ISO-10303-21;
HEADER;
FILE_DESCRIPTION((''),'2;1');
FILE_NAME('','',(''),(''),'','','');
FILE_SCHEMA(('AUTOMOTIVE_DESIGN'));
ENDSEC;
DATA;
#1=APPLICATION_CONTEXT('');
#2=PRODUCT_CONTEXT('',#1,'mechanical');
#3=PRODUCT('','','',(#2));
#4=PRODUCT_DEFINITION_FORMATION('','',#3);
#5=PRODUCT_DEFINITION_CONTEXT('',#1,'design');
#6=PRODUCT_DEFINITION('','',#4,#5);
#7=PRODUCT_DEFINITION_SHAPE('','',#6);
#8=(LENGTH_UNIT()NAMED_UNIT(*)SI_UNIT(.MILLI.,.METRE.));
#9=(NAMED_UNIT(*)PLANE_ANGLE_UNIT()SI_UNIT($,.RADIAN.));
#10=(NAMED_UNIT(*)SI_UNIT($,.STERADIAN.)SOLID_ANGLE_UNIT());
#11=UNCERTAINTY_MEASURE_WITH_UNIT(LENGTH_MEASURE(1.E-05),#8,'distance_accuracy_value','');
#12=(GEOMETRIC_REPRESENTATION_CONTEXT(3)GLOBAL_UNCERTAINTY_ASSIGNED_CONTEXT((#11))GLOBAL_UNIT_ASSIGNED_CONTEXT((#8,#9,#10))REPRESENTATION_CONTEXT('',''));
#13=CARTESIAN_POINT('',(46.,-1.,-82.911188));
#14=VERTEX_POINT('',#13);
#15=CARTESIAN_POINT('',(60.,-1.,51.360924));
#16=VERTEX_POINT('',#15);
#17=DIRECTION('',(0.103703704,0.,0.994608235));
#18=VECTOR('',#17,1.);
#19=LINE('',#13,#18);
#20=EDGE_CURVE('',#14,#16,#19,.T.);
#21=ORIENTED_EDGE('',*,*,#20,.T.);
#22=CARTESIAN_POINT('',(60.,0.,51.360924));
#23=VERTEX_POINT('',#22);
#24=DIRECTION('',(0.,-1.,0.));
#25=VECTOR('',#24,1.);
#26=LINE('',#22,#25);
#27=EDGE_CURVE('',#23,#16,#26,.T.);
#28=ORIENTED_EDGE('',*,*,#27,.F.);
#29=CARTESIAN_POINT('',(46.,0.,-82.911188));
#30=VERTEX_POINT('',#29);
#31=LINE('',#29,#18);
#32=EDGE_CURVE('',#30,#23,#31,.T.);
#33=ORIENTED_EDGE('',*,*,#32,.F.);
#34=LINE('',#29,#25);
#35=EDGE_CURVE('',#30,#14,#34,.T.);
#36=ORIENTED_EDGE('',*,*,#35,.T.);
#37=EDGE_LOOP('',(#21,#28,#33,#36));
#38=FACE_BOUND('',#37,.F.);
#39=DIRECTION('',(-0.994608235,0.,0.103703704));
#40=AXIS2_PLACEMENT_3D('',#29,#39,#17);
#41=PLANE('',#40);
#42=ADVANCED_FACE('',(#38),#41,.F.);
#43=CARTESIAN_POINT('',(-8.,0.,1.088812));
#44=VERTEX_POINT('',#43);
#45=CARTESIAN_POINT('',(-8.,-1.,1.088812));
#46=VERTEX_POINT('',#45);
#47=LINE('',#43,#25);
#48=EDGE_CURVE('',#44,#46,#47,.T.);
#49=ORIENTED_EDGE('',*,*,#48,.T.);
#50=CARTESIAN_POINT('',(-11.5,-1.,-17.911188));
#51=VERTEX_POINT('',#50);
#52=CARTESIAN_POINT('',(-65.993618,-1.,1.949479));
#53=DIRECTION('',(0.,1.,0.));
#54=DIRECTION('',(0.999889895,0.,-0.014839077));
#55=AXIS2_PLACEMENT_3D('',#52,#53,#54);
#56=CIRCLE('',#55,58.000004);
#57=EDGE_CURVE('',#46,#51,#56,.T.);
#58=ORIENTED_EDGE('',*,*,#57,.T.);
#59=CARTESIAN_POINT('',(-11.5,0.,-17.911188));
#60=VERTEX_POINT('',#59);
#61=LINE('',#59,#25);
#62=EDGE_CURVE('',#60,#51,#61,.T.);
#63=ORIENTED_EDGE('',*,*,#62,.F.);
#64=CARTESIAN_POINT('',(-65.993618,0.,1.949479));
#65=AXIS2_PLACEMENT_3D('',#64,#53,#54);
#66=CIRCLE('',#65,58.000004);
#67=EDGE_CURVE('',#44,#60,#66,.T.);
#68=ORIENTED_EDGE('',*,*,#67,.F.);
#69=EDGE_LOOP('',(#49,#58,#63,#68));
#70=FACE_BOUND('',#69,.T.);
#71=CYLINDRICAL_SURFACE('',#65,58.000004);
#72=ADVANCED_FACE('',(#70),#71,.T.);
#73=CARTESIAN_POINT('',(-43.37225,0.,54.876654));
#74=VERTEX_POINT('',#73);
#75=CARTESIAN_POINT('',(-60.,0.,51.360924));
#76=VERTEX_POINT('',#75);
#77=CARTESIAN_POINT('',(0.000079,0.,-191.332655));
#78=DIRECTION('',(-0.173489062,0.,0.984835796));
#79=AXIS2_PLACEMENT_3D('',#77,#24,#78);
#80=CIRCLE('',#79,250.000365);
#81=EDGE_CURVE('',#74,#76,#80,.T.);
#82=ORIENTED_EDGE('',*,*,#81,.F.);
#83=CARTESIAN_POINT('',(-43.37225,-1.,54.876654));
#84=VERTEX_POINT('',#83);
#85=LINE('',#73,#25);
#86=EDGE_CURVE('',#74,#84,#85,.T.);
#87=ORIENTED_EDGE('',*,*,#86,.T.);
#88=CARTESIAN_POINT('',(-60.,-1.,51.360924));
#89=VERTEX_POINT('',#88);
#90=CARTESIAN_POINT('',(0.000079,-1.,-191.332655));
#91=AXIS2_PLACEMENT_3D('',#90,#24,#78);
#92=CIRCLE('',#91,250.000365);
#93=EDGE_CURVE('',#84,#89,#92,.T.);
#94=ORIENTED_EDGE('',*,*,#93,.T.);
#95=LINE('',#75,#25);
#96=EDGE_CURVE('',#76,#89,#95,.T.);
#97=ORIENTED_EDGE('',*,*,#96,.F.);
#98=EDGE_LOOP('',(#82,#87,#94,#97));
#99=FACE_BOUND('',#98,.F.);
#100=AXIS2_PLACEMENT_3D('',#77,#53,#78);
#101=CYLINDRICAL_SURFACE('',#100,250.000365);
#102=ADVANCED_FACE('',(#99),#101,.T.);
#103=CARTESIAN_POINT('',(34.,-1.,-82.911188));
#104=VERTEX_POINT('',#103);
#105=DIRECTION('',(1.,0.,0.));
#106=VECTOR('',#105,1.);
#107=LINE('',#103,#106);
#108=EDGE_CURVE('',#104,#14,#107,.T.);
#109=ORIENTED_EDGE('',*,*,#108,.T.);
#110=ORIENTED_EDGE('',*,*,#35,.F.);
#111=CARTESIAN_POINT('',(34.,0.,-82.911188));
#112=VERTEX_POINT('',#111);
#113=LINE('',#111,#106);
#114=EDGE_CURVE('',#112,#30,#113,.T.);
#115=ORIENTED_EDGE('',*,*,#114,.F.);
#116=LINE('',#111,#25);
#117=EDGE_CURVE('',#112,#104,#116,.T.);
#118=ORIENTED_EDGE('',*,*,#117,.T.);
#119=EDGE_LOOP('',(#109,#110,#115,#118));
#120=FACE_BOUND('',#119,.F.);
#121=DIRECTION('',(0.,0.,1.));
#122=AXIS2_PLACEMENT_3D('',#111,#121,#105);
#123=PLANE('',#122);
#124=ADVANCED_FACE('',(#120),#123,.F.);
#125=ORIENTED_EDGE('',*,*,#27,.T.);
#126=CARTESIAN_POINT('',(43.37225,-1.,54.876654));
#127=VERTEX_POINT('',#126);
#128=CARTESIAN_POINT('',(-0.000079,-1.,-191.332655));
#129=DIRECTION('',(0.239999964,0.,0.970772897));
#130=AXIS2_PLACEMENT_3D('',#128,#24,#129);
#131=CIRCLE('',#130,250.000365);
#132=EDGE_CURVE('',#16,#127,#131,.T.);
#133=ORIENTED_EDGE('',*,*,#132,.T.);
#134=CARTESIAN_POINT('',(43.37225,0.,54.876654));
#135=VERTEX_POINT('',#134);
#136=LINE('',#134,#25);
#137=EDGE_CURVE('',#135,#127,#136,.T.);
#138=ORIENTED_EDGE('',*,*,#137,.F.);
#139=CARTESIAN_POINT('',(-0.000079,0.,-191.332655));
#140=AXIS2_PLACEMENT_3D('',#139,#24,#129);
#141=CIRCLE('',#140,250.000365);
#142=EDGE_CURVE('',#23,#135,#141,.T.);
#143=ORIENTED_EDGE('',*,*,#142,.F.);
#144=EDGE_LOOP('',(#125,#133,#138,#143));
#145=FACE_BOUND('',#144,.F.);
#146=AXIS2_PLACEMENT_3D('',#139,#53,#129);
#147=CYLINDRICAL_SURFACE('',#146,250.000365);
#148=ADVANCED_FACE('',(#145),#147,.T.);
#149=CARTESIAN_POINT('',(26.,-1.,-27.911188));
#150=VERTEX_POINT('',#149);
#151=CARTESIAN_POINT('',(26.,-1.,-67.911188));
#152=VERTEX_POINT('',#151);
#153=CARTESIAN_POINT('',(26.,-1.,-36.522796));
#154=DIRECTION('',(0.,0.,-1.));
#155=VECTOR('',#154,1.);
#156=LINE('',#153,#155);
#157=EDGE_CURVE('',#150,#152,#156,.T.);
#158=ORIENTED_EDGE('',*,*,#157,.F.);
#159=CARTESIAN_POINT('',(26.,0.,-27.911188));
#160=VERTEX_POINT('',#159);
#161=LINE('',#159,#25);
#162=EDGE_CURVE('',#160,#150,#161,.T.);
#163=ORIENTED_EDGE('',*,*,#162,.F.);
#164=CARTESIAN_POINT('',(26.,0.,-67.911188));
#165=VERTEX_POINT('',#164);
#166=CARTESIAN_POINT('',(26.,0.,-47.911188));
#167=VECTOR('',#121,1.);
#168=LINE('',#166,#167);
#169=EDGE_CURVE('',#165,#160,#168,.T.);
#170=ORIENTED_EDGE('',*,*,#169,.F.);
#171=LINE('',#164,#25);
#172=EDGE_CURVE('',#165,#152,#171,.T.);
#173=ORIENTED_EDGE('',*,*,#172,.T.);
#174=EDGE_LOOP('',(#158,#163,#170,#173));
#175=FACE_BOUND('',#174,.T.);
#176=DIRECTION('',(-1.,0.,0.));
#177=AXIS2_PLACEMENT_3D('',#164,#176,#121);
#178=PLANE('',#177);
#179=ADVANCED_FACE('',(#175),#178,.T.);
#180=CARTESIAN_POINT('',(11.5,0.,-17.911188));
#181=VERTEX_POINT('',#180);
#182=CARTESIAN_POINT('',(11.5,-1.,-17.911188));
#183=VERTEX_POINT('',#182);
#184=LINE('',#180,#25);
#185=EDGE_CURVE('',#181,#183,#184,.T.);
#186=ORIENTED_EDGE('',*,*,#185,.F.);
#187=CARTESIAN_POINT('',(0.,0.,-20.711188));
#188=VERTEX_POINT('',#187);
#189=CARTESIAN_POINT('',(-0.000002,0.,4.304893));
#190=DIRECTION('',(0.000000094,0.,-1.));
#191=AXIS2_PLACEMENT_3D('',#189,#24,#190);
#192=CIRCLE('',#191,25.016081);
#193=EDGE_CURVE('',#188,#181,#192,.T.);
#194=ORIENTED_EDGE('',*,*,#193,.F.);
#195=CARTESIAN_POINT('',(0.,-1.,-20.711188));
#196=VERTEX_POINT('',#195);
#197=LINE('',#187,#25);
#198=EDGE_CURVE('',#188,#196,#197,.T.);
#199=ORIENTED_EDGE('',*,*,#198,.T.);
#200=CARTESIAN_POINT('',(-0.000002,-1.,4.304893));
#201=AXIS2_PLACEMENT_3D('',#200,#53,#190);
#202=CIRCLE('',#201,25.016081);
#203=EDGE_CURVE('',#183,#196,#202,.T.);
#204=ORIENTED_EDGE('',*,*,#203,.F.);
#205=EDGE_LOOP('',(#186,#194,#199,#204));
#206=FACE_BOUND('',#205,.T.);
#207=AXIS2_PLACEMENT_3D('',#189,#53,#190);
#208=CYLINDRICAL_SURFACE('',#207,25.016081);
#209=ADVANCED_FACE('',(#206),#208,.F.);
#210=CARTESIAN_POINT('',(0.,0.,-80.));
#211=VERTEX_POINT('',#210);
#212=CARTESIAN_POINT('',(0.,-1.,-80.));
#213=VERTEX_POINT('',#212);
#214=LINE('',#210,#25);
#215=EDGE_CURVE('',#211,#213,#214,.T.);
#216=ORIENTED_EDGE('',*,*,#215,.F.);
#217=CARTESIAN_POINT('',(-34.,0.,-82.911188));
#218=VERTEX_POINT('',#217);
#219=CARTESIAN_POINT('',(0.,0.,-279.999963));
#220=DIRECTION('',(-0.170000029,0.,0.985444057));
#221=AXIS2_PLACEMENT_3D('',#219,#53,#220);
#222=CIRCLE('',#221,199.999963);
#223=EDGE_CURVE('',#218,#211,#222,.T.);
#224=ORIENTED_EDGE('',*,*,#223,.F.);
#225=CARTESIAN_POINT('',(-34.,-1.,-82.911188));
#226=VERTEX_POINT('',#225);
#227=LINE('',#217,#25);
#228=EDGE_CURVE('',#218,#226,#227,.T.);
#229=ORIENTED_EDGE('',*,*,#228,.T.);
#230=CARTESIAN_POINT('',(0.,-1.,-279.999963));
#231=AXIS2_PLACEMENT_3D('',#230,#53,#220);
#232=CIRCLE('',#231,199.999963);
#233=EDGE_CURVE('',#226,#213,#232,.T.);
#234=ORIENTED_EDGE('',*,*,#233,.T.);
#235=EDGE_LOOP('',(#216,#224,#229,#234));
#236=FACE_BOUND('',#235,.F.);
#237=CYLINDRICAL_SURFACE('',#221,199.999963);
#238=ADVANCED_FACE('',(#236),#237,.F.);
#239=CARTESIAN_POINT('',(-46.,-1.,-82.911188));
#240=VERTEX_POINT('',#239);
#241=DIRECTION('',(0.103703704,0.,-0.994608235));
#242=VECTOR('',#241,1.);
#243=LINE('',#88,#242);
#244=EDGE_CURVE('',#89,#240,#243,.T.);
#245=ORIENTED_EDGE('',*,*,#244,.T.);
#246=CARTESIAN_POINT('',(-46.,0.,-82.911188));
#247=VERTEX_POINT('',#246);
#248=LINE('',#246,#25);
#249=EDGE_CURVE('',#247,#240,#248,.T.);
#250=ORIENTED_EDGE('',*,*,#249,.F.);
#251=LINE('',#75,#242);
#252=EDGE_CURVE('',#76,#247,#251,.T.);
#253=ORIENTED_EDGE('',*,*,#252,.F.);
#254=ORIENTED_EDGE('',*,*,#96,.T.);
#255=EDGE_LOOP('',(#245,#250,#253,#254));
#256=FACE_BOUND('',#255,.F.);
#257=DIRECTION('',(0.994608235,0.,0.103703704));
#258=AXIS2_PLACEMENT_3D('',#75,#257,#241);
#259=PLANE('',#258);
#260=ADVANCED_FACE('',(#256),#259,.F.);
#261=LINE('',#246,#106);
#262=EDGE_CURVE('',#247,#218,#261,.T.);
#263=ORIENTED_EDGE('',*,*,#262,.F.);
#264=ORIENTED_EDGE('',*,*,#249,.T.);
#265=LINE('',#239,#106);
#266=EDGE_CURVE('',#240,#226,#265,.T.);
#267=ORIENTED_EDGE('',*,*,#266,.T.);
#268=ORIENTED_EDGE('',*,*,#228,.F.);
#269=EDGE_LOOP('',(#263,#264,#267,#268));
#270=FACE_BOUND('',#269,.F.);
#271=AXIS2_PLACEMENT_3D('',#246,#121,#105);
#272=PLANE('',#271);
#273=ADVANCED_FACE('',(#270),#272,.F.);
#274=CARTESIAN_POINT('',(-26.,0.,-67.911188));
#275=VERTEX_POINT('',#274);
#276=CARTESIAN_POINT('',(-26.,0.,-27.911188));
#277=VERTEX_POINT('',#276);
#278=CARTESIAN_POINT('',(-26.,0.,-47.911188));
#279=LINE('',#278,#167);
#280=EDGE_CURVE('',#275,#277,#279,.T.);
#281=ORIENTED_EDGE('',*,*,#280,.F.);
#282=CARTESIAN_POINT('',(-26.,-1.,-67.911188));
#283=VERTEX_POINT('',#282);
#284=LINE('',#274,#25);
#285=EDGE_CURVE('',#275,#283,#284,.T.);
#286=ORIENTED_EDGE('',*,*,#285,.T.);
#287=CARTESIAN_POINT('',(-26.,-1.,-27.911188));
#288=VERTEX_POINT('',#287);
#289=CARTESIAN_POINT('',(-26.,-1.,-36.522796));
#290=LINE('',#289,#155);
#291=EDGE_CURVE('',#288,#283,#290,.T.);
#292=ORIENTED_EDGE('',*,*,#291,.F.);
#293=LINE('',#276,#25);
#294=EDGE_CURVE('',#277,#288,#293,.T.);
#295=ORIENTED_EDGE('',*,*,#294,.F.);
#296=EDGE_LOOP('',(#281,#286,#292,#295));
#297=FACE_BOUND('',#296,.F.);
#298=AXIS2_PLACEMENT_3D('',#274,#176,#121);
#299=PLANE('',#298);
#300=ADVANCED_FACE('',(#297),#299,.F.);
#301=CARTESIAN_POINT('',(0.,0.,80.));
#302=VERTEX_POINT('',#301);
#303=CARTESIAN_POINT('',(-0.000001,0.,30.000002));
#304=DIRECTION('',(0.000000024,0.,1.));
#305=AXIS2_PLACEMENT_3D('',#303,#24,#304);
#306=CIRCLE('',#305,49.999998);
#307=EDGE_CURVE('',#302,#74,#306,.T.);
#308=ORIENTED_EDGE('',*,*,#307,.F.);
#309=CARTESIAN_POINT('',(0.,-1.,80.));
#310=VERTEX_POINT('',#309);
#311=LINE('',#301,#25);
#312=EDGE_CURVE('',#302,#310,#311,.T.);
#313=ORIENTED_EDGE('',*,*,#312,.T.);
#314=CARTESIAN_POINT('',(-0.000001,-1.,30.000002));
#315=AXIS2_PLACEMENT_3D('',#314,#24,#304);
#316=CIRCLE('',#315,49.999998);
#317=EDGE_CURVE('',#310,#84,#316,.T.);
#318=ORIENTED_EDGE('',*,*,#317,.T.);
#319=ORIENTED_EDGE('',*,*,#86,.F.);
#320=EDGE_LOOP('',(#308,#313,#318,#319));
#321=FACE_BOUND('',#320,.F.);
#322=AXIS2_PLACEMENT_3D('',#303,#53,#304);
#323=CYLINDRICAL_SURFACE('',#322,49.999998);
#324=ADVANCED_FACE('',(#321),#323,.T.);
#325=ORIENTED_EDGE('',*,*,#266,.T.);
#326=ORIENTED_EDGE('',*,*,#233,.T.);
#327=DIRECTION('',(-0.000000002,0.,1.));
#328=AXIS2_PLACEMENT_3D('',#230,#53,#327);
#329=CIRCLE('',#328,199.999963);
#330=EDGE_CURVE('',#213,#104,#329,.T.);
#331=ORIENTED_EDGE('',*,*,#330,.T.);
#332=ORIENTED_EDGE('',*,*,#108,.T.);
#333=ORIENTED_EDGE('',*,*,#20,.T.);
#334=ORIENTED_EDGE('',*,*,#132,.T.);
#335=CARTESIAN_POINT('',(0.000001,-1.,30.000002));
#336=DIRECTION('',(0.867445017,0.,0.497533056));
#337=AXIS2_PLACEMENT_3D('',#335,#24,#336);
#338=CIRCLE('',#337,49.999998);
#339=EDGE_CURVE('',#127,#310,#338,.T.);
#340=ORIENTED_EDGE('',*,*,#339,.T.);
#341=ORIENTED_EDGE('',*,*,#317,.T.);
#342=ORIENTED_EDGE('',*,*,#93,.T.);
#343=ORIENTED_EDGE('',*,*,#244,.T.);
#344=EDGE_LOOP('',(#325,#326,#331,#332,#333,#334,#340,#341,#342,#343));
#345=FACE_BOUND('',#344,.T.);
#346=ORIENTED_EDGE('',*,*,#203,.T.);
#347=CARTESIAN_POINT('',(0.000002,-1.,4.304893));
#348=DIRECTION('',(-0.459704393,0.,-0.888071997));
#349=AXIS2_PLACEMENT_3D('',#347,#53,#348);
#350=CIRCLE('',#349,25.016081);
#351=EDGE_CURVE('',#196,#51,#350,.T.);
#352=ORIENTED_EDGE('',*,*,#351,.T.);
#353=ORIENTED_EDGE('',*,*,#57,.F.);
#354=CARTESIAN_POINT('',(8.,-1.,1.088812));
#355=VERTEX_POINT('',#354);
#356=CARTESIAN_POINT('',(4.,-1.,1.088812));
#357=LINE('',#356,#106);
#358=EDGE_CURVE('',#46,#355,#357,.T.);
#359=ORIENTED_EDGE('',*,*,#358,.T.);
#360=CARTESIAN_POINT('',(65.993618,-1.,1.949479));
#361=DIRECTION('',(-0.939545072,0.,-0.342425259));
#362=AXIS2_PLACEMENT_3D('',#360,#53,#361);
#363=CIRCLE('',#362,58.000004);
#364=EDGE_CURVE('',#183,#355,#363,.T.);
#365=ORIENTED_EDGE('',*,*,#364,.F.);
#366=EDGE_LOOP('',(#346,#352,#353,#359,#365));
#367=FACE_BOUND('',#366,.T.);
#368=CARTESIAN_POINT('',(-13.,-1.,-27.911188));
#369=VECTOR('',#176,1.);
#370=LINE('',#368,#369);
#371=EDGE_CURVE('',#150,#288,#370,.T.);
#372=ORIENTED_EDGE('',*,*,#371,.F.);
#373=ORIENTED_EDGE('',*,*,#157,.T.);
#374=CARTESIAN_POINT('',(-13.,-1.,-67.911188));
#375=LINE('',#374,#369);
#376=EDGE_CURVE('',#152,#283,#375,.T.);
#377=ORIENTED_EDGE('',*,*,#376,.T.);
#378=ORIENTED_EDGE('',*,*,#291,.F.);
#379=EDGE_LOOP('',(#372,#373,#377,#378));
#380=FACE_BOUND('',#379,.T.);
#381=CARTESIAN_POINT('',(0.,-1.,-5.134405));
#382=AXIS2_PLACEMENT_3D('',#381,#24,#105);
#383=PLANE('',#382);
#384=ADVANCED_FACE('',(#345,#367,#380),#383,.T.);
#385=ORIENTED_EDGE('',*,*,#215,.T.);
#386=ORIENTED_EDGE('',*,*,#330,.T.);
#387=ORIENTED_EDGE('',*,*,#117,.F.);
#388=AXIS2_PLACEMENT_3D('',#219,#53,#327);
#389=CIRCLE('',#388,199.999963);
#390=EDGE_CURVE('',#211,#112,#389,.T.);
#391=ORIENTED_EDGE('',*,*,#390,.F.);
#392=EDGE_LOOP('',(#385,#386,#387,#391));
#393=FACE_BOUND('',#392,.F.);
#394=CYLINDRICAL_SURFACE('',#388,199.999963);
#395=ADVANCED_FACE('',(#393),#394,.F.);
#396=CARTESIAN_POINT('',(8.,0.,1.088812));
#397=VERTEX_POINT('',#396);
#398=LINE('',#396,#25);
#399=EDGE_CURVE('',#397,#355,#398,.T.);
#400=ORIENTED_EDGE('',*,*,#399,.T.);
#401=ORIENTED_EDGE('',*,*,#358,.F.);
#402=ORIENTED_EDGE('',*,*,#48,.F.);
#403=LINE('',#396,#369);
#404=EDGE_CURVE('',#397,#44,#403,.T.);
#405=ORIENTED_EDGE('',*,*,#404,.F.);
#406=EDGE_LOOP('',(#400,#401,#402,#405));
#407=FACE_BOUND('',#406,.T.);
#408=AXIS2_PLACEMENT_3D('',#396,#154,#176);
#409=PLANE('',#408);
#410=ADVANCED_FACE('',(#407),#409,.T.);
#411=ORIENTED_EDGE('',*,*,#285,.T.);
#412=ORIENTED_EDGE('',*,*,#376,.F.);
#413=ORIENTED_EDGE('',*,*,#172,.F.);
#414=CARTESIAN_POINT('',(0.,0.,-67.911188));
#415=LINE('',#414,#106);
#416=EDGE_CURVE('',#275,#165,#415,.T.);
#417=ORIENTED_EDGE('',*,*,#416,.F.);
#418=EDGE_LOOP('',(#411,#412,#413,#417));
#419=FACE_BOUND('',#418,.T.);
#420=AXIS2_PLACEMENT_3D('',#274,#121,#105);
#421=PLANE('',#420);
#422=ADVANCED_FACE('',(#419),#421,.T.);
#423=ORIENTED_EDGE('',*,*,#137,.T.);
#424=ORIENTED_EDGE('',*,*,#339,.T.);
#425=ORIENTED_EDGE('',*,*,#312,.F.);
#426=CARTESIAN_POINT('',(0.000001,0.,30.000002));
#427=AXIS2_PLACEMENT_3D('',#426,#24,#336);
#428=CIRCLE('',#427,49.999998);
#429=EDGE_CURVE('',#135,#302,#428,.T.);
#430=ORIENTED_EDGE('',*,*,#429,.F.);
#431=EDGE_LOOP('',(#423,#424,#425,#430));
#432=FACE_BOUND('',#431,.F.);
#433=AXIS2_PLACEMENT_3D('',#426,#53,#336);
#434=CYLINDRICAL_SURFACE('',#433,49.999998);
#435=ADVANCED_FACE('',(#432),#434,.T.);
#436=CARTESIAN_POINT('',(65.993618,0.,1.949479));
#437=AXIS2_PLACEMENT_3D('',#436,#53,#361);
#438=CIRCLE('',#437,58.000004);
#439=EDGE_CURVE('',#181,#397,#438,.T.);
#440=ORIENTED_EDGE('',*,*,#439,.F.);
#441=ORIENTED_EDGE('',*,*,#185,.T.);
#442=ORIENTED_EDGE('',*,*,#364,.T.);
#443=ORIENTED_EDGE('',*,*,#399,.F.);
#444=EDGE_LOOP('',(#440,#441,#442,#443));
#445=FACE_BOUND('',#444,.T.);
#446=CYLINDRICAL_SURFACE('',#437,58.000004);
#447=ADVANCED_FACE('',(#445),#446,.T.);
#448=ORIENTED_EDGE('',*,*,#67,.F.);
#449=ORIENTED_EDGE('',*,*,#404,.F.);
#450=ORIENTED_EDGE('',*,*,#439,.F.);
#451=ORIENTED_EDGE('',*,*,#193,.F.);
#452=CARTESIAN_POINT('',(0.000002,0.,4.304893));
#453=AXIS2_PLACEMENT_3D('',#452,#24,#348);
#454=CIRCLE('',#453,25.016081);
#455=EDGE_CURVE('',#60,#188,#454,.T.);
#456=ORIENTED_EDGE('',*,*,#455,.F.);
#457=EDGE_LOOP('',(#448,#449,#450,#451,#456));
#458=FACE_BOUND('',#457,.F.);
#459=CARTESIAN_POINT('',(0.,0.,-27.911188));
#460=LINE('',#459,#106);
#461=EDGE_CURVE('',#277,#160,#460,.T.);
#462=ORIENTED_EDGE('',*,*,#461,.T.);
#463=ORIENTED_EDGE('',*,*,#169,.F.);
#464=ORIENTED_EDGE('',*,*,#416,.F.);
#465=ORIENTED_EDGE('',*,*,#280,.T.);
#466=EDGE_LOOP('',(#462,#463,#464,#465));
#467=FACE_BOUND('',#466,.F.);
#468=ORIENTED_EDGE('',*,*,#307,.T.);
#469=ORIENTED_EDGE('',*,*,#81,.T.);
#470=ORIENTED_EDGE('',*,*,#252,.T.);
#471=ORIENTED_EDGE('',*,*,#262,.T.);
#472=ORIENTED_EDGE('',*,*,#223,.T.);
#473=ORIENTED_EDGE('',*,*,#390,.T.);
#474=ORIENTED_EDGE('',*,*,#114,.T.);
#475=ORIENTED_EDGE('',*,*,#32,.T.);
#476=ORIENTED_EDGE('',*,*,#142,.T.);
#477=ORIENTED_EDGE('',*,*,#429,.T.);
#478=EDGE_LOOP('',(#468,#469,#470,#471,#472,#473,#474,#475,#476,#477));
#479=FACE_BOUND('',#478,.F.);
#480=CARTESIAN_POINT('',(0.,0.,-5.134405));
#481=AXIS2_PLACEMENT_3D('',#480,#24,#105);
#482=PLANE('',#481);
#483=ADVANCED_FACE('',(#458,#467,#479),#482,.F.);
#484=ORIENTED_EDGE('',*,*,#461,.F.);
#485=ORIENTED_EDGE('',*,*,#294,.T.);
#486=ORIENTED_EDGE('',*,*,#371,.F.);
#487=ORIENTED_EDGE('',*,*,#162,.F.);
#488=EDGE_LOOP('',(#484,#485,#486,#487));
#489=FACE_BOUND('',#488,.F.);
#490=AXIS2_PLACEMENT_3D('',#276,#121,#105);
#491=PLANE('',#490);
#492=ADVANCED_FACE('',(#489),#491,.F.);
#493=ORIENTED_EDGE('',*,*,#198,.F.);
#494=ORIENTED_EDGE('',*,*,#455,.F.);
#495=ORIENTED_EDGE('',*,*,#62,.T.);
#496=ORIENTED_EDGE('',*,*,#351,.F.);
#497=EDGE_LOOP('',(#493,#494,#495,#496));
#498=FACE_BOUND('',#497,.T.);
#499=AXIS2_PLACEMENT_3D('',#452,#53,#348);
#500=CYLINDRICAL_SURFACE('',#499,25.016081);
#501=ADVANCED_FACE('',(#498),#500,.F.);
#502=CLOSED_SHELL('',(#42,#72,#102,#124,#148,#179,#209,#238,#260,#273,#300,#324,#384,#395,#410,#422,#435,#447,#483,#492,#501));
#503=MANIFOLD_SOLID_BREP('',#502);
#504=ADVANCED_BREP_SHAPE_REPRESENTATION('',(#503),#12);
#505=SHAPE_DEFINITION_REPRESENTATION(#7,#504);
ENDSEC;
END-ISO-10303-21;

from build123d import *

# Parameters (mm, degrees)
F1_DEPTH = 1
F2_W     = 52
F2_H     = 40
F3_DEPTH = 1.001


with BuildPart() as f1:
    # F0 (on Front) → F1 (new body)
    with BuildSketch(Plane.XZ):
        with BuildLine():
            ThreePointArc((43.37225, 54.876654), (25.061597, 73.265649), (0, 80))
            ThreePointArc((0, 80), (-25.061597, 73.265649), (-43.37225, 54.876654))
            ThreePointArc((-43.37225, 54.876654), (-51.716009, 53.260127), (-60, 51.360924))
            Line((-60, 51.360924), (-46, -82.911188))
            Line((-46, -82.911188), (-34, -82.911188))
            ThreePointArc((-34, -82.911188), (-17.062202, -80.729126), (0, -80))
            ThreePointArc((0, -80), (17.062202, -80.729126), (34, -82.911188))
            Line((34, -82.911188), (46, -82.911188))
            Line((46, -82.911188), (60, 51.360924))
            ThreePointArc((60, 51.360924), (51.716009, 53.260127), (43.37225, 54.876654))
        make_face()
    extrude(amount=F1_DEPTH)

    # F2 (on Front) → F3 (cut, through all)
    with BuildSketch(Plane.XZ):
        with BuildLine():
            Line((0, 1.088812), (-8, 1.088812))
            ThreePointArc((-8, 1.088812), (-8.953329, -8.557943), (-11.5, -17.911188))
            ThreePointArc((-11.5, -17.911188), (-5.917981, -20.00111), (0, -20.711188))
            ThreePointArc((0, -20.711188), (5.917981, -20.00111), (11.5, -17.911188))
            ThreePointArc((11.5, -17.911188), (8.953329, -8.557943), (8, 1.088812))
            Line((8, 1.088812), (0, 1.088812))
        make_face()
        with Locations((0, -47.911188)):
            Rectangle(F2_W, F2_H)
    extrude(amount=F3_DEPTH, mode=Mode.SUBTRACT)


solid = f1.part
